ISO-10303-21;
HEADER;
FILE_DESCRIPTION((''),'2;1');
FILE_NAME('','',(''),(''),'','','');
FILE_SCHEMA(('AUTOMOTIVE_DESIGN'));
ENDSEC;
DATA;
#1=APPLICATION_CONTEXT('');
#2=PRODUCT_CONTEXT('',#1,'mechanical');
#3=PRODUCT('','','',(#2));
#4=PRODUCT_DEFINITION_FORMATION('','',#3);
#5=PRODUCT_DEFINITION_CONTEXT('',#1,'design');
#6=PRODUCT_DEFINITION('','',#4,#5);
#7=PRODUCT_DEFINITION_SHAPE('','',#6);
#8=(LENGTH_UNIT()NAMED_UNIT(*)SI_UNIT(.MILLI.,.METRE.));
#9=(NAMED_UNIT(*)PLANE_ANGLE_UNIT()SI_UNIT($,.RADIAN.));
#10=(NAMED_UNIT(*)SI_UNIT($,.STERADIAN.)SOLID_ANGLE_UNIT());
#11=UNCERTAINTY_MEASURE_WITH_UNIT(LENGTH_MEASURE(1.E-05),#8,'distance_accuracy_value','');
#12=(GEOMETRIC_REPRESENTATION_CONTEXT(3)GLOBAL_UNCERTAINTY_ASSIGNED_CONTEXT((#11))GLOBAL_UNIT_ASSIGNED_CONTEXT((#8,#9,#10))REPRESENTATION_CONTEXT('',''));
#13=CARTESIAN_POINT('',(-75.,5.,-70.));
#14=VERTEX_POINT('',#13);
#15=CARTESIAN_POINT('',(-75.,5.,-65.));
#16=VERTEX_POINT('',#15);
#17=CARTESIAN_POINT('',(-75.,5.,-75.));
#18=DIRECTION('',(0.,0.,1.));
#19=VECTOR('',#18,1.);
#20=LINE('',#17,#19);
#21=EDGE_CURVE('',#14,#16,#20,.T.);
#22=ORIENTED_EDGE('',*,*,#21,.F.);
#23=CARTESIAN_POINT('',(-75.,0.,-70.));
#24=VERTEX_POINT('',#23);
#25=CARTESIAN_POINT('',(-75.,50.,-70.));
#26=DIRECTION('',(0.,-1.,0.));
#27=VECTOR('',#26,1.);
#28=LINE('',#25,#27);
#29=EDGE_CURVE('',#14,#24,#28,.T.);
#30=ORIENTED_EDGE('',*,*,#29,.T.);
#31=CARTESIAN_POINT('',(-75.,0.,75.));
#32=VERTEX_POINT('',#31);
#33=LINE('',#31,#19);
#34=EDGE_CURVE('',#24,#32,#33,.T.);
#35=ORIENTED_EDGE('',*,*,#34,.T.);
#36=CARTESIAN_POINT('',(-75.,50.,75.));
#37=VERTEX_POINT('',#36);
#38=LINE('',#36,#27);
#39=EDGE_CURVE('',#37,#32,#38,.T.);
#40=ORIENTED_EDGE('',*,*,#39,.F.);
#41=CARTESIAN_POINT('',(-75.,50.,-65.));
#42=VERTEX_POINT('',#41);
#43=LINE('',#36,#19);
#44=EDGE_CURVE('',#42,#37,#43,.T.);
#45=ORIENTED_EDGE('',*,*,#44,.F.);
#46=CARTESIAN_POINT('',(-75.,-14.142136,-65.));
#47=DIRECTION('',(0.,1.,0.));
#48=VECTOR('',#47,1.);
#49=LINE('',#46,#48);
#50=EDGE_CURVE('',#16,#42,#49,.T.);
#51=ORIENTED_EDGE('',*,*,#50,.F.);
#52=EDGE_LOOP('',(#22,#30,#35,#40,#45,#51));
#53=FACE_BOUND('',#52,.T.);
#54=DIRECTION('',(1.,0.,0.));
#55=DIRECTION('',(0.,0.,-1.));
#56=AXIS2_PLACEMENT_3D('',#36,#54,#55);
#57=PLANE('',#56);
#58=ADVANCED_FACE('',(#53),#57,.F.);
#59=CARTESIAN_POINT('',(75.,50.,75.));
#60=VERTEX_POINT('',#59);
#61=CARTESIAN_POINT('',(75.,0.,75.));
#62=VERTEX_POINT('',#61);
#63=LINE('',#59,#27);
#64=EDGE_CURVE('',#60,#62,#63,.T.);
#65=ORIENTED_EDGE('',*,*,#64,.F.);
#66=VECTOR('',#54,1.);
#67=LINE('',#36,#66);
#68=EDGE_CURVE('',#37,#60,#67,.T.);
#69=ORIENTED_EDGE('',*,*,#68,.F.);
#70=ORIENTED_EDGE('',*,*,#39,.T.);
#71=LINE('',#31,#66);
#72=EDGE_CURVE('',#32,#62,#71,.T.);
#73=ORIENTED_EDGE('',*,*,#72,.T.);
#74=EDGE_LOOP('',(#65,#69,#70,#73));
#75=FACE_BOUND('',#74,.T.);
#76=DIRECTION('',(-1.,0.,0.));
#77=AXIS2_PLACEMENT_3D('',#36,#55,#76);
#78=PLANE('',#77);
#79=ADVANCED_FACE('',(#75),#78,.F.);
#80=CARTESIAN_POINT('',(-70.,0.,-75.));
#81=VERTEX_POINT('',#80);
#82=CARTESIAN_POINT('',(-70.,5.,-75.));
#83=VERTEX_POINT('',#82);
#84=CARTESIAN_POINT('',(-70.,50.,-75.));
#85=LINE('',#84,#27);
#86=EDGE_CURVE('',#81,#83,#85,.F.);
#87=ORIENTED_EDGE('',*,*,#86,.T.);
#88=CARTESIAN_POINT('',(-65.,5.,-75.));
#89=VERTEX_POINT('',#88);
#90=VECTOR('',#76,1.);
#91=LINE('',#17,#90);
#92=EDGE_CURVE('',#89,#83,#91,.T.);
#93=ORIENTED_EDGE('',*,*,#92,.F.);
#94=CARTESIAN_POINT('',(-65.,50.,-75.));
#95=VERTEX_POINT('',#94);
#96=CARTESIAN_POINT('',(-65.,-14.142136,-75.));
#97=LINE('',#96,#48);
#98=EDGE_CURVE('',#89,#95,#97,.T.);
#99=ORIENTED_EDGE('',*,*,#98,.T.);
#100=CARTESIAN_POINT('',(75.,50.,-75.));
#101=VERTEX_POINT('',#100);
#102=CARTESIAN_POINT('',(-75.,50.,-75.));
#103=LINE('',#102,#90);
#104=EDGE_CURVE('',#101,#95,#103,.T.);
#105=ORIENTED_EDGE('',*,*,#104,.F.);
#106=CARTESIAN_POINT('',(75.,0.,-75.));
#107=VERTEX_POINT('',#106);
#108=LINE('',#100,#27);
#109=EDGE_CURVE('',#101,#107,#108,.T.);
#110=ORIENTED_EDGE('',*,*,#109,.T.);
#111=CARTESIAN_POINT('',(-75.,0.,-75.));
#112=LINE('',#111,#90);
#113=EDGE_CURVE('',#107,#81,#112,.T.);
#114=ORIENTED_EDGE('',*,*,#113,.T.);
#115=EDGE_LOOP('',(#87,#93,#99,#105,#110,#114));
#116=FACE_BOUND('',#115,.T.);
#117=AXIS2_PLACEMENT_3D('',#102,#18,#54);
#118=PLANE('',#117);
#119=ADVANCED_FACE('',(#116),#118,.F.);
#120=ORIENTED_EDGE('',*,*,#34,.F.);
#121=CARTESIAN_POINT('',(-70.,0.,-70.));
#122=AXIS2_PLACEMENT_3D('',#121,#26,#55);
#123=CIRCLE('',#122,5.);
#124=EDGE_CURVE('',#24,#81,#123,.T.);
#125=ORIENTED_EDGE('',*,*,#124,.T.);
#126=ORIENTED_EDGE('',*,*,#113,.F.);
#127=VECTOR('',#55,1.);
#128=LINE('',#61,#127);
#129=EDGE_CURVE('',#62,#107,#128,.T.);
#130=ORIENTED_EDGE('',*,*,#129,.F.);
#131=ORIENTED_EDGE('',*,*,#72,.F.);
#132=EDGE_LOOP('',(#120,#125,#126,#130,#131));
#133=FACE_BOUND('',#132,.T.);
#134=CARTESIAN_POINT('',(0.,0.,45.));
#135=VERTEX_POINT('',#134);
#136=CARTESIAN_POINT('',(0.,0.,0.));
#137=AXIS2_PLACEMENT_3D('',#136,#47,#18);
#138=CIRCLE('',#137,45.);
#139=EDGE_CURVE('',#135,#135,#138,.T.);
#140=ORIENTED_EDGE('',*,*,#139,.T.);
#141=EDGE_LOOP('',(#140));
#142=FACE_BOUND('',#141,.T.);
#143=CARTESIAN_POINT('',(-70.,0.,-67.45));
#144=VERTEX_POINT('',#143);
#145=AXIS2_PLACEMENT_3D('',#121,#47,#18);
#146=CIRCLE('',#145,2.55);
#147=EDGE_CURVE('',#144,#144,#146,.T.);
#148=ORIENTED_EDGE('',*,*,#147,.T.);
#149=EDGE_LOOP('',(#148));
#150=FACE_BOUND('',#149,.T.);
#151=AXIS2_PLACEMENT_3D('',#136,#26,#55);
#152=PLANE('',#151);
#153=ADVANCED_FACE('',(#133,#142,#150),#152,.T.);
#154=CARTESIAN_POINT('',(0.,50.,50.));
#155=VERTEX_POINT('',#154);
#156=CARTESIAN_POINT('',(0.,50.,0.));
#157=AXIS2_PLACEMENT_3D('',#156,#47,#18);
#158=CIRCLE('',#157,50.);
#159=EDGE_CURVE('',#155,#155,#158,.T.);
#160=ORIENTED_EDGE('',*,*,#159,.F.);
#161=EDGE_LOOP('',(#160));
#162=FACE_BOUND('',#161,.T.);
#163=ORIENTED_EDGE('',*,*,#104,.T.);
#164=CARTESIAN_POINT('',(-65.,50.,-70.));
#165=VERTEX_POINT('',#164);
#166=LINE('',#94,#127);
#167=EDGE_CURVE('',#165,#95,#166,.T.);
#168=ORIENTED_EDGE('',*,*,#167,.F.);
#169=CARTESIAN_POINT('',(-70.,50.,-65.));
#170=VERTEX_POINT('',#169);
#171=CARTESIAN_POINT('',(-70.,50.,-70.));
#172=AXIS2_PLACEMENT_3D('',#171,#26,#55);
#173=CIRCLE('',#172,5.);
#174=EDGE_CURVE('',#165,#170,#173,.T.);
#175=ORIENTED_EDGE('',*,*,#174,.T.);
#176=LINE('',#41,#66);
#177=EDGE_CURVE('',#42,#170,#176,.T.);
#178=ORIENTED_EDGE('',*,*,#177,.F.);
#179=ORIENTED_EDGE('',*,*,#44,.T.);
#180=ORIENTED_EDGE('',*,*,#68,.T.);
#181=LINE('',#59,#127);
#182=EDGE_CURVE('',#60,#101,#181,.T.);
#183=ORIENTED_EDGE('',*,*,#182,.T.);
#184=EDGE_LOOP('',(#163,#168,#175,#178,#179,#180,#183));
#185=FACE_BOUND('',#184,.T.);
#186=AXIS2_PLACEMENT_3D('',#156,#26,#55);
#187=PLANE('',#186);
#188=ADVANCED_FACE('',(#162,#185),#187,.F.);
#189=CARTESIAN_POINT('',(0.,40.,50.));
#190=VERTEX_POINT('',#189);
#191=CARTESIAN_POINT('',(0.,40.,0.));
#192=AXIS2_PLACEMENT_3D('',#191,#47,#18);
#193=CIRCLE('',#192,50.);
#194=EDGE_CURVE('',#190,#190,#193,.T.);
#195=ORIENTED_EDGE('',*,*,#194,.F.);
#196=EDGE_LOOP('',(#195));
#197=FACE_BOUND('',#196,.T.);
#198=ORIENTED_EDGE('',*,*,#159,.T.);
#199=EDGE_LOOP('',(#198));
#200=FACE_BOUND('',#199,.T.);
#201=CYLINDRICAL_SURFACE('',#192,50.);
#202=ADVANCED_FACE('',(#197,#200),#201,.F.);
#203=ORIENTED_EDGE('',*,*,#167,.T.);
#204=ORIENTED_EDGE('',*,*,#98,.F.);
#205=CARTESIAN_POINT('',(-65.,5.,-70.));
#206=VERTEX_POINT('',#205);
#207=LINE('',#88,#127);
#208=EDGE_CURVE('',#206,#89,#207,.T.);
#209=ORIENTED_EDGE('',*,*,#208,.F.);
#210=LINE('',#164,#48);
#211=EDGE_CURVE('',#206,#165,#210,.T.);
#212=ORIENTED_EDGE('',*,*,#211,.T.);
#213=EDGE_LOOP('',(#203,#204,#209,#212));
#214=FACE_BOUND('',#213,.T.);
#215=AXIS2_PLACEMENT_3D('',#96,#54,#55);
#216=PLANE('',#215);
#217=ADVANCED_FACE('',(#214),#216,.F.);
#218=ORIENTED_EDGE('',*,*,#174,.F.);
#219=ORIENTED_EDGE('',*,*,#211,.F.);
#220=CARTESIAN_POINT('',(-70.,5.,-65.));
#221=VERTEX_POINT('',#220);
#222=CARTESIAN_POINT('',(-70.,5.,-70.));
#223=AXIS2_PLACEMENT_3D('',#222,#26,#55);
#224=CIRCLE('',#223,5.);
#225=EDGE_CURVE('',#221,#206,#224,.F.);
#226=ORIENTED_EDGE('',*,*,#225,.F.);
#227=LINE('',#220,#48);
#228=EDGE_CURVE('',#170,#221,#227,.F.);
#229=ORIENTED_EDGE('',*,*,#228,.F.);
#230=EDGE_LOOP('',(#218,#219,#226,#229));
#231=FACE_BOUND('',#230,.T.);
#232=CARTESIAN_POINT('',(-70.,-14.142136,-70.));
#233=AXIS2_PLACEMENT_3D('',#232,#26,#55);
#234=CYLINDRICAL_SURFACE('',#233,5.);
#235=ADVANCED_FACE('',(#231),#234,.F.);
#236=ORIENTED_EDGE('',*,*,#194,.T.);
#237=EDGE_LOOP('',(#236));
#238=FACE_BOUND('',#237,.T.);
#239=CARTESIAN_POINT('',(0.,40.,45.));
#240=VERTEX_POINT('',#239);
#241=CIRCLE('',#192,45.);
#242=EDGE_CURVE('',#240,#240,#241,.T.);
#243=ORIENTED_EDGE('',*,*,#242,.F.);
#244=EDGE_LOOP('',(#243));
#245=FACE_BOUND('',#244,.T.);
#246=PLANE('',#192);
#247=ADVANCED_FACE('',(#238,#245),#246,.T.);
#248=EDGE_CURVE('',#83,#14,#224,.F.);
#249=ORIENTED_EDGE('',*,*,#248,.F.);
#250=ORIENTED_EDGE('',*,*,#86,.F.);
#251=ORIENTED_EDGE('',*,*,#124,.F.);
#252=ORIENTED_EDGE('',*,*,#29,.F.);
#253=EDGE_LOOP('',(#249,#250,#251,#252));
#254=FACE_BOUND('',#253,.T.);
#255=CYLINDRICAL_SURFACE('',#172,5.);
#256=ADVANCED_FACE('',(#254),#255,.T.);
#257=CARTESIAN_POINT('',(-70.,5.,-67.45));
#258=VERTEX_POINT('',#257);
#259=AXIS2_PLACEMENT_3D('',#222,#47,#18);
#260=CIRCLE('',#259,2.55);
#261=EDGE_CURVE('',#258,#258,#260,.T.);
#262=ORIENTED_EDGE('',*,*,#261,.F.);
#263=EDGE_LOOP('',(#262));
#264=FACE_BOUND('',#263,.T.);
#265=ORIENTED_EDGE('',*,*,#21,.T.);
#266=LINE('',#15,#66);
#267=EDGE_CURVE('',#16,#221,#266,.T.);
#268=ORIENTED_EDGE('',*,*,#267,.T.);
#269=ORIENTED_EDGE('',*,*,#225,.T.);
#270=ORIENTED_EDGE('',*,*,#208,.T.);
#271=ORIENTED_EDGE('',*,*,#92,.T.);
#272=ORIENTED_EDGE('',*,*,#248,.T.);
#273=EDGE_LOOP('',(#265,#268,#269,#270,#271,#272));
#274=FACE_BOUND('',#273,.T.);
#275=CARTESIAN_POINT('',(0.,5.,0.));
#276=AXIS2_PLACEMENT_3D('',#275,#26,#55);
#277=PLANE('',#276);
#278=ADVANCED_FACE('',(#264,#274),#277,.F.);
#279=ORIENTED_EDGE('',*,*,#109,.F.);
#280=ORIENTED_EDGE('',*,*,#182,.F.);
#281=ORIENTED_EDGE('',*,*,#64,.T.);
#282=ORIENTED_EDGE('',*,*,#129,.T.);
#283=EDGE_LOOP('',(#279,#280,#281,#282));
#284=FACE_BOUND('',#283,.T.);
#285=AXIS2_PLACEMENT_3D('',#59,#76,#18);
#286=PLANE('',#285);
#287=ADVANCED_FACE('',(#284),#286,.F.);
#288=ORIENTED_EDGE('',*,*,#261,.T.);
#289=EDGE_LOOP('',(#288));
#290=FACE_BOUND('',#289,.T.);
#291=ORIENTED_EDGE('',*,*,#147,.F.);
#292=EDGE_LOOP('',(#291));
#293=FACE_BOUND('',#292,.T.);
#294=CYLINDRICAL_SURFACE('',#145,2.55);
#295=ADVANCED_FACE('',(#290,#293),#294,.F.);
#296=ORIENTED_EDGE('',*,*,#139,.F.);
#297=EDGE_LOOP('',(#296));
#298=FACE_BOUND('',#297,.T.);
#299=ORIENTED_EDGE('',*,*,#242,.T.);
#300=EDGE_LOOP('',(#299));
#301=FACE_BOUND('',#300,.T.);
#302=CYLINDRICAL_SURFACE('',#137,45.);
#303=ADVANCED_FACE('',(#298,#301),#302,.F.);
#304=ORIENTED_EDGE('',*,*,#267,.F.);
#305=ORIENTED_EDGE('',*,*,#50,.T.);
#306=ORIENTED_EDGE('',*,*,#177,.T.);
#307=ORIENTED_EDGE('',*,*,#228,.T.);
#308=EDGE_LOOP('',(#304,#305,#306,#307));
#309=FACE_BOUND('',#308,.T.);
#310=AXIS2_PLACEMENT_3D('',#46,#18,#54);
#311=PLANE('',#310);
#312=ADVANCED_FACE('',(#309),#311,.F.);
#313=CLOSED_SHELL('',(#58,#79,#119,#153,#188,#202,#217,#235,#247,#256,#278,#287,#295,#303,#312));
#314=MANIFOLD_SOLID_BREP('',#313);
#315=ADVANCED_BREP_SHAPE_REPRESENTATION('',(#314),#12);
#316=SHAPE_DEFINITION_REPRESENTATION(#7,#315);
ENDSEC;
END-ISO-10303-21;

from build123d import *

# Parameters (mm, degrees)
SKETCH1_W           = 150
SKETCH1_H           = 150
BOSS_EXTRUDE1_DEPTH = 50
SKETCH2_R           = 50
CUT_EXTRUDE1_DEPTH  = 10
SKETCH3_R           = 45
CUT_EXTRUDE2_DEPTH  = 114.357840488
SKETCH4_W           = 10
SKETCH4_H           = 10
CUT_EXTRUDE3_DEPTH  = 45
SKETCH6_R           = 2.55
CUT_EXTRUDE4_DEPTH  = 5
FILLET1_R           = 5


with BuildPart() as part:
    # Sketch1 → Boss-Extrude1 (new body)
    with BuildSketch(Plane(origin=(0, 0, 0), x_dir=(1, 0, 0), z_dir=(0, 1, 0))):
        Rectangle(SKETCH1_W, SKETCH1_H)
    extrude(amount=BOSS_EXTRUDE1_DEPTH)

    # Sketch2 → Cut-Extrude1 (cut)
    with BuildSketch(Plane(origin=(0, 50, 0), x_dir=(1, 0, 0), z_dir=(0, 1, 0))):
        with Locations(Location((0, 0, 0), (0, 0, 270))):
            Circle(SKETCH2_R)
    extrude(amount=-CUT_EXTRUDE1_DEPTH, mode=Mode.SUBTRACT)

    # Sketch3 → Cut-Extrude2 (cut, through all)
    with BuildSketch(Plane(origin=(0, 40, 0), x_dir=(1, 0, 0), z_dir=(0, 1, 0))):
        with Locations(Location((0, 0, 0), (0, 0, 270))):
            Circle(SKETCH3_R)
    extrude(amount=-CUT_EXTRUDE2_DEPTH, mode=Mode.SUBTRACT)

    # Sketch4 → Cut-Extrude3 (cut)
    with BuildSketch(Plane(origin=(0, 50, 0), x_dir=(1, 0, 0), z_dir=(0, 1, 0))):
        with Locations((-70, 70)):
            Rectangle(SKETCH4_W, SKETCH4_H)
    extrude(amount=-CUT_EXTRUDE3_DEPTH, mode=Mode.SUBTRACT)

    # Sketch6 → Cut-Extrude4 (cut)
    with BuildSketch(Plane(origin=(0, 5, 0), x_dir=(1, 0, 0), z_dir=(0, 1, 0))):
        with Locations(Location((-70, 70, 0), (0, 0, 270))):
            Circle(SKETCH6_R)
    extrude(amount=-CUT_EXTRUDE4_DEPTH, mode=Mode.SUBTRACT)

    # Fillet1
    fillet1_edges = [part.edges().sort_by_distance(p)[0] for p in [
        (-75, 2.5, -75),
        (-65, 27.5, -65),
    ]]
    fillet(fillet1_edges, radius=FILLET1_R)


solid = part.part
